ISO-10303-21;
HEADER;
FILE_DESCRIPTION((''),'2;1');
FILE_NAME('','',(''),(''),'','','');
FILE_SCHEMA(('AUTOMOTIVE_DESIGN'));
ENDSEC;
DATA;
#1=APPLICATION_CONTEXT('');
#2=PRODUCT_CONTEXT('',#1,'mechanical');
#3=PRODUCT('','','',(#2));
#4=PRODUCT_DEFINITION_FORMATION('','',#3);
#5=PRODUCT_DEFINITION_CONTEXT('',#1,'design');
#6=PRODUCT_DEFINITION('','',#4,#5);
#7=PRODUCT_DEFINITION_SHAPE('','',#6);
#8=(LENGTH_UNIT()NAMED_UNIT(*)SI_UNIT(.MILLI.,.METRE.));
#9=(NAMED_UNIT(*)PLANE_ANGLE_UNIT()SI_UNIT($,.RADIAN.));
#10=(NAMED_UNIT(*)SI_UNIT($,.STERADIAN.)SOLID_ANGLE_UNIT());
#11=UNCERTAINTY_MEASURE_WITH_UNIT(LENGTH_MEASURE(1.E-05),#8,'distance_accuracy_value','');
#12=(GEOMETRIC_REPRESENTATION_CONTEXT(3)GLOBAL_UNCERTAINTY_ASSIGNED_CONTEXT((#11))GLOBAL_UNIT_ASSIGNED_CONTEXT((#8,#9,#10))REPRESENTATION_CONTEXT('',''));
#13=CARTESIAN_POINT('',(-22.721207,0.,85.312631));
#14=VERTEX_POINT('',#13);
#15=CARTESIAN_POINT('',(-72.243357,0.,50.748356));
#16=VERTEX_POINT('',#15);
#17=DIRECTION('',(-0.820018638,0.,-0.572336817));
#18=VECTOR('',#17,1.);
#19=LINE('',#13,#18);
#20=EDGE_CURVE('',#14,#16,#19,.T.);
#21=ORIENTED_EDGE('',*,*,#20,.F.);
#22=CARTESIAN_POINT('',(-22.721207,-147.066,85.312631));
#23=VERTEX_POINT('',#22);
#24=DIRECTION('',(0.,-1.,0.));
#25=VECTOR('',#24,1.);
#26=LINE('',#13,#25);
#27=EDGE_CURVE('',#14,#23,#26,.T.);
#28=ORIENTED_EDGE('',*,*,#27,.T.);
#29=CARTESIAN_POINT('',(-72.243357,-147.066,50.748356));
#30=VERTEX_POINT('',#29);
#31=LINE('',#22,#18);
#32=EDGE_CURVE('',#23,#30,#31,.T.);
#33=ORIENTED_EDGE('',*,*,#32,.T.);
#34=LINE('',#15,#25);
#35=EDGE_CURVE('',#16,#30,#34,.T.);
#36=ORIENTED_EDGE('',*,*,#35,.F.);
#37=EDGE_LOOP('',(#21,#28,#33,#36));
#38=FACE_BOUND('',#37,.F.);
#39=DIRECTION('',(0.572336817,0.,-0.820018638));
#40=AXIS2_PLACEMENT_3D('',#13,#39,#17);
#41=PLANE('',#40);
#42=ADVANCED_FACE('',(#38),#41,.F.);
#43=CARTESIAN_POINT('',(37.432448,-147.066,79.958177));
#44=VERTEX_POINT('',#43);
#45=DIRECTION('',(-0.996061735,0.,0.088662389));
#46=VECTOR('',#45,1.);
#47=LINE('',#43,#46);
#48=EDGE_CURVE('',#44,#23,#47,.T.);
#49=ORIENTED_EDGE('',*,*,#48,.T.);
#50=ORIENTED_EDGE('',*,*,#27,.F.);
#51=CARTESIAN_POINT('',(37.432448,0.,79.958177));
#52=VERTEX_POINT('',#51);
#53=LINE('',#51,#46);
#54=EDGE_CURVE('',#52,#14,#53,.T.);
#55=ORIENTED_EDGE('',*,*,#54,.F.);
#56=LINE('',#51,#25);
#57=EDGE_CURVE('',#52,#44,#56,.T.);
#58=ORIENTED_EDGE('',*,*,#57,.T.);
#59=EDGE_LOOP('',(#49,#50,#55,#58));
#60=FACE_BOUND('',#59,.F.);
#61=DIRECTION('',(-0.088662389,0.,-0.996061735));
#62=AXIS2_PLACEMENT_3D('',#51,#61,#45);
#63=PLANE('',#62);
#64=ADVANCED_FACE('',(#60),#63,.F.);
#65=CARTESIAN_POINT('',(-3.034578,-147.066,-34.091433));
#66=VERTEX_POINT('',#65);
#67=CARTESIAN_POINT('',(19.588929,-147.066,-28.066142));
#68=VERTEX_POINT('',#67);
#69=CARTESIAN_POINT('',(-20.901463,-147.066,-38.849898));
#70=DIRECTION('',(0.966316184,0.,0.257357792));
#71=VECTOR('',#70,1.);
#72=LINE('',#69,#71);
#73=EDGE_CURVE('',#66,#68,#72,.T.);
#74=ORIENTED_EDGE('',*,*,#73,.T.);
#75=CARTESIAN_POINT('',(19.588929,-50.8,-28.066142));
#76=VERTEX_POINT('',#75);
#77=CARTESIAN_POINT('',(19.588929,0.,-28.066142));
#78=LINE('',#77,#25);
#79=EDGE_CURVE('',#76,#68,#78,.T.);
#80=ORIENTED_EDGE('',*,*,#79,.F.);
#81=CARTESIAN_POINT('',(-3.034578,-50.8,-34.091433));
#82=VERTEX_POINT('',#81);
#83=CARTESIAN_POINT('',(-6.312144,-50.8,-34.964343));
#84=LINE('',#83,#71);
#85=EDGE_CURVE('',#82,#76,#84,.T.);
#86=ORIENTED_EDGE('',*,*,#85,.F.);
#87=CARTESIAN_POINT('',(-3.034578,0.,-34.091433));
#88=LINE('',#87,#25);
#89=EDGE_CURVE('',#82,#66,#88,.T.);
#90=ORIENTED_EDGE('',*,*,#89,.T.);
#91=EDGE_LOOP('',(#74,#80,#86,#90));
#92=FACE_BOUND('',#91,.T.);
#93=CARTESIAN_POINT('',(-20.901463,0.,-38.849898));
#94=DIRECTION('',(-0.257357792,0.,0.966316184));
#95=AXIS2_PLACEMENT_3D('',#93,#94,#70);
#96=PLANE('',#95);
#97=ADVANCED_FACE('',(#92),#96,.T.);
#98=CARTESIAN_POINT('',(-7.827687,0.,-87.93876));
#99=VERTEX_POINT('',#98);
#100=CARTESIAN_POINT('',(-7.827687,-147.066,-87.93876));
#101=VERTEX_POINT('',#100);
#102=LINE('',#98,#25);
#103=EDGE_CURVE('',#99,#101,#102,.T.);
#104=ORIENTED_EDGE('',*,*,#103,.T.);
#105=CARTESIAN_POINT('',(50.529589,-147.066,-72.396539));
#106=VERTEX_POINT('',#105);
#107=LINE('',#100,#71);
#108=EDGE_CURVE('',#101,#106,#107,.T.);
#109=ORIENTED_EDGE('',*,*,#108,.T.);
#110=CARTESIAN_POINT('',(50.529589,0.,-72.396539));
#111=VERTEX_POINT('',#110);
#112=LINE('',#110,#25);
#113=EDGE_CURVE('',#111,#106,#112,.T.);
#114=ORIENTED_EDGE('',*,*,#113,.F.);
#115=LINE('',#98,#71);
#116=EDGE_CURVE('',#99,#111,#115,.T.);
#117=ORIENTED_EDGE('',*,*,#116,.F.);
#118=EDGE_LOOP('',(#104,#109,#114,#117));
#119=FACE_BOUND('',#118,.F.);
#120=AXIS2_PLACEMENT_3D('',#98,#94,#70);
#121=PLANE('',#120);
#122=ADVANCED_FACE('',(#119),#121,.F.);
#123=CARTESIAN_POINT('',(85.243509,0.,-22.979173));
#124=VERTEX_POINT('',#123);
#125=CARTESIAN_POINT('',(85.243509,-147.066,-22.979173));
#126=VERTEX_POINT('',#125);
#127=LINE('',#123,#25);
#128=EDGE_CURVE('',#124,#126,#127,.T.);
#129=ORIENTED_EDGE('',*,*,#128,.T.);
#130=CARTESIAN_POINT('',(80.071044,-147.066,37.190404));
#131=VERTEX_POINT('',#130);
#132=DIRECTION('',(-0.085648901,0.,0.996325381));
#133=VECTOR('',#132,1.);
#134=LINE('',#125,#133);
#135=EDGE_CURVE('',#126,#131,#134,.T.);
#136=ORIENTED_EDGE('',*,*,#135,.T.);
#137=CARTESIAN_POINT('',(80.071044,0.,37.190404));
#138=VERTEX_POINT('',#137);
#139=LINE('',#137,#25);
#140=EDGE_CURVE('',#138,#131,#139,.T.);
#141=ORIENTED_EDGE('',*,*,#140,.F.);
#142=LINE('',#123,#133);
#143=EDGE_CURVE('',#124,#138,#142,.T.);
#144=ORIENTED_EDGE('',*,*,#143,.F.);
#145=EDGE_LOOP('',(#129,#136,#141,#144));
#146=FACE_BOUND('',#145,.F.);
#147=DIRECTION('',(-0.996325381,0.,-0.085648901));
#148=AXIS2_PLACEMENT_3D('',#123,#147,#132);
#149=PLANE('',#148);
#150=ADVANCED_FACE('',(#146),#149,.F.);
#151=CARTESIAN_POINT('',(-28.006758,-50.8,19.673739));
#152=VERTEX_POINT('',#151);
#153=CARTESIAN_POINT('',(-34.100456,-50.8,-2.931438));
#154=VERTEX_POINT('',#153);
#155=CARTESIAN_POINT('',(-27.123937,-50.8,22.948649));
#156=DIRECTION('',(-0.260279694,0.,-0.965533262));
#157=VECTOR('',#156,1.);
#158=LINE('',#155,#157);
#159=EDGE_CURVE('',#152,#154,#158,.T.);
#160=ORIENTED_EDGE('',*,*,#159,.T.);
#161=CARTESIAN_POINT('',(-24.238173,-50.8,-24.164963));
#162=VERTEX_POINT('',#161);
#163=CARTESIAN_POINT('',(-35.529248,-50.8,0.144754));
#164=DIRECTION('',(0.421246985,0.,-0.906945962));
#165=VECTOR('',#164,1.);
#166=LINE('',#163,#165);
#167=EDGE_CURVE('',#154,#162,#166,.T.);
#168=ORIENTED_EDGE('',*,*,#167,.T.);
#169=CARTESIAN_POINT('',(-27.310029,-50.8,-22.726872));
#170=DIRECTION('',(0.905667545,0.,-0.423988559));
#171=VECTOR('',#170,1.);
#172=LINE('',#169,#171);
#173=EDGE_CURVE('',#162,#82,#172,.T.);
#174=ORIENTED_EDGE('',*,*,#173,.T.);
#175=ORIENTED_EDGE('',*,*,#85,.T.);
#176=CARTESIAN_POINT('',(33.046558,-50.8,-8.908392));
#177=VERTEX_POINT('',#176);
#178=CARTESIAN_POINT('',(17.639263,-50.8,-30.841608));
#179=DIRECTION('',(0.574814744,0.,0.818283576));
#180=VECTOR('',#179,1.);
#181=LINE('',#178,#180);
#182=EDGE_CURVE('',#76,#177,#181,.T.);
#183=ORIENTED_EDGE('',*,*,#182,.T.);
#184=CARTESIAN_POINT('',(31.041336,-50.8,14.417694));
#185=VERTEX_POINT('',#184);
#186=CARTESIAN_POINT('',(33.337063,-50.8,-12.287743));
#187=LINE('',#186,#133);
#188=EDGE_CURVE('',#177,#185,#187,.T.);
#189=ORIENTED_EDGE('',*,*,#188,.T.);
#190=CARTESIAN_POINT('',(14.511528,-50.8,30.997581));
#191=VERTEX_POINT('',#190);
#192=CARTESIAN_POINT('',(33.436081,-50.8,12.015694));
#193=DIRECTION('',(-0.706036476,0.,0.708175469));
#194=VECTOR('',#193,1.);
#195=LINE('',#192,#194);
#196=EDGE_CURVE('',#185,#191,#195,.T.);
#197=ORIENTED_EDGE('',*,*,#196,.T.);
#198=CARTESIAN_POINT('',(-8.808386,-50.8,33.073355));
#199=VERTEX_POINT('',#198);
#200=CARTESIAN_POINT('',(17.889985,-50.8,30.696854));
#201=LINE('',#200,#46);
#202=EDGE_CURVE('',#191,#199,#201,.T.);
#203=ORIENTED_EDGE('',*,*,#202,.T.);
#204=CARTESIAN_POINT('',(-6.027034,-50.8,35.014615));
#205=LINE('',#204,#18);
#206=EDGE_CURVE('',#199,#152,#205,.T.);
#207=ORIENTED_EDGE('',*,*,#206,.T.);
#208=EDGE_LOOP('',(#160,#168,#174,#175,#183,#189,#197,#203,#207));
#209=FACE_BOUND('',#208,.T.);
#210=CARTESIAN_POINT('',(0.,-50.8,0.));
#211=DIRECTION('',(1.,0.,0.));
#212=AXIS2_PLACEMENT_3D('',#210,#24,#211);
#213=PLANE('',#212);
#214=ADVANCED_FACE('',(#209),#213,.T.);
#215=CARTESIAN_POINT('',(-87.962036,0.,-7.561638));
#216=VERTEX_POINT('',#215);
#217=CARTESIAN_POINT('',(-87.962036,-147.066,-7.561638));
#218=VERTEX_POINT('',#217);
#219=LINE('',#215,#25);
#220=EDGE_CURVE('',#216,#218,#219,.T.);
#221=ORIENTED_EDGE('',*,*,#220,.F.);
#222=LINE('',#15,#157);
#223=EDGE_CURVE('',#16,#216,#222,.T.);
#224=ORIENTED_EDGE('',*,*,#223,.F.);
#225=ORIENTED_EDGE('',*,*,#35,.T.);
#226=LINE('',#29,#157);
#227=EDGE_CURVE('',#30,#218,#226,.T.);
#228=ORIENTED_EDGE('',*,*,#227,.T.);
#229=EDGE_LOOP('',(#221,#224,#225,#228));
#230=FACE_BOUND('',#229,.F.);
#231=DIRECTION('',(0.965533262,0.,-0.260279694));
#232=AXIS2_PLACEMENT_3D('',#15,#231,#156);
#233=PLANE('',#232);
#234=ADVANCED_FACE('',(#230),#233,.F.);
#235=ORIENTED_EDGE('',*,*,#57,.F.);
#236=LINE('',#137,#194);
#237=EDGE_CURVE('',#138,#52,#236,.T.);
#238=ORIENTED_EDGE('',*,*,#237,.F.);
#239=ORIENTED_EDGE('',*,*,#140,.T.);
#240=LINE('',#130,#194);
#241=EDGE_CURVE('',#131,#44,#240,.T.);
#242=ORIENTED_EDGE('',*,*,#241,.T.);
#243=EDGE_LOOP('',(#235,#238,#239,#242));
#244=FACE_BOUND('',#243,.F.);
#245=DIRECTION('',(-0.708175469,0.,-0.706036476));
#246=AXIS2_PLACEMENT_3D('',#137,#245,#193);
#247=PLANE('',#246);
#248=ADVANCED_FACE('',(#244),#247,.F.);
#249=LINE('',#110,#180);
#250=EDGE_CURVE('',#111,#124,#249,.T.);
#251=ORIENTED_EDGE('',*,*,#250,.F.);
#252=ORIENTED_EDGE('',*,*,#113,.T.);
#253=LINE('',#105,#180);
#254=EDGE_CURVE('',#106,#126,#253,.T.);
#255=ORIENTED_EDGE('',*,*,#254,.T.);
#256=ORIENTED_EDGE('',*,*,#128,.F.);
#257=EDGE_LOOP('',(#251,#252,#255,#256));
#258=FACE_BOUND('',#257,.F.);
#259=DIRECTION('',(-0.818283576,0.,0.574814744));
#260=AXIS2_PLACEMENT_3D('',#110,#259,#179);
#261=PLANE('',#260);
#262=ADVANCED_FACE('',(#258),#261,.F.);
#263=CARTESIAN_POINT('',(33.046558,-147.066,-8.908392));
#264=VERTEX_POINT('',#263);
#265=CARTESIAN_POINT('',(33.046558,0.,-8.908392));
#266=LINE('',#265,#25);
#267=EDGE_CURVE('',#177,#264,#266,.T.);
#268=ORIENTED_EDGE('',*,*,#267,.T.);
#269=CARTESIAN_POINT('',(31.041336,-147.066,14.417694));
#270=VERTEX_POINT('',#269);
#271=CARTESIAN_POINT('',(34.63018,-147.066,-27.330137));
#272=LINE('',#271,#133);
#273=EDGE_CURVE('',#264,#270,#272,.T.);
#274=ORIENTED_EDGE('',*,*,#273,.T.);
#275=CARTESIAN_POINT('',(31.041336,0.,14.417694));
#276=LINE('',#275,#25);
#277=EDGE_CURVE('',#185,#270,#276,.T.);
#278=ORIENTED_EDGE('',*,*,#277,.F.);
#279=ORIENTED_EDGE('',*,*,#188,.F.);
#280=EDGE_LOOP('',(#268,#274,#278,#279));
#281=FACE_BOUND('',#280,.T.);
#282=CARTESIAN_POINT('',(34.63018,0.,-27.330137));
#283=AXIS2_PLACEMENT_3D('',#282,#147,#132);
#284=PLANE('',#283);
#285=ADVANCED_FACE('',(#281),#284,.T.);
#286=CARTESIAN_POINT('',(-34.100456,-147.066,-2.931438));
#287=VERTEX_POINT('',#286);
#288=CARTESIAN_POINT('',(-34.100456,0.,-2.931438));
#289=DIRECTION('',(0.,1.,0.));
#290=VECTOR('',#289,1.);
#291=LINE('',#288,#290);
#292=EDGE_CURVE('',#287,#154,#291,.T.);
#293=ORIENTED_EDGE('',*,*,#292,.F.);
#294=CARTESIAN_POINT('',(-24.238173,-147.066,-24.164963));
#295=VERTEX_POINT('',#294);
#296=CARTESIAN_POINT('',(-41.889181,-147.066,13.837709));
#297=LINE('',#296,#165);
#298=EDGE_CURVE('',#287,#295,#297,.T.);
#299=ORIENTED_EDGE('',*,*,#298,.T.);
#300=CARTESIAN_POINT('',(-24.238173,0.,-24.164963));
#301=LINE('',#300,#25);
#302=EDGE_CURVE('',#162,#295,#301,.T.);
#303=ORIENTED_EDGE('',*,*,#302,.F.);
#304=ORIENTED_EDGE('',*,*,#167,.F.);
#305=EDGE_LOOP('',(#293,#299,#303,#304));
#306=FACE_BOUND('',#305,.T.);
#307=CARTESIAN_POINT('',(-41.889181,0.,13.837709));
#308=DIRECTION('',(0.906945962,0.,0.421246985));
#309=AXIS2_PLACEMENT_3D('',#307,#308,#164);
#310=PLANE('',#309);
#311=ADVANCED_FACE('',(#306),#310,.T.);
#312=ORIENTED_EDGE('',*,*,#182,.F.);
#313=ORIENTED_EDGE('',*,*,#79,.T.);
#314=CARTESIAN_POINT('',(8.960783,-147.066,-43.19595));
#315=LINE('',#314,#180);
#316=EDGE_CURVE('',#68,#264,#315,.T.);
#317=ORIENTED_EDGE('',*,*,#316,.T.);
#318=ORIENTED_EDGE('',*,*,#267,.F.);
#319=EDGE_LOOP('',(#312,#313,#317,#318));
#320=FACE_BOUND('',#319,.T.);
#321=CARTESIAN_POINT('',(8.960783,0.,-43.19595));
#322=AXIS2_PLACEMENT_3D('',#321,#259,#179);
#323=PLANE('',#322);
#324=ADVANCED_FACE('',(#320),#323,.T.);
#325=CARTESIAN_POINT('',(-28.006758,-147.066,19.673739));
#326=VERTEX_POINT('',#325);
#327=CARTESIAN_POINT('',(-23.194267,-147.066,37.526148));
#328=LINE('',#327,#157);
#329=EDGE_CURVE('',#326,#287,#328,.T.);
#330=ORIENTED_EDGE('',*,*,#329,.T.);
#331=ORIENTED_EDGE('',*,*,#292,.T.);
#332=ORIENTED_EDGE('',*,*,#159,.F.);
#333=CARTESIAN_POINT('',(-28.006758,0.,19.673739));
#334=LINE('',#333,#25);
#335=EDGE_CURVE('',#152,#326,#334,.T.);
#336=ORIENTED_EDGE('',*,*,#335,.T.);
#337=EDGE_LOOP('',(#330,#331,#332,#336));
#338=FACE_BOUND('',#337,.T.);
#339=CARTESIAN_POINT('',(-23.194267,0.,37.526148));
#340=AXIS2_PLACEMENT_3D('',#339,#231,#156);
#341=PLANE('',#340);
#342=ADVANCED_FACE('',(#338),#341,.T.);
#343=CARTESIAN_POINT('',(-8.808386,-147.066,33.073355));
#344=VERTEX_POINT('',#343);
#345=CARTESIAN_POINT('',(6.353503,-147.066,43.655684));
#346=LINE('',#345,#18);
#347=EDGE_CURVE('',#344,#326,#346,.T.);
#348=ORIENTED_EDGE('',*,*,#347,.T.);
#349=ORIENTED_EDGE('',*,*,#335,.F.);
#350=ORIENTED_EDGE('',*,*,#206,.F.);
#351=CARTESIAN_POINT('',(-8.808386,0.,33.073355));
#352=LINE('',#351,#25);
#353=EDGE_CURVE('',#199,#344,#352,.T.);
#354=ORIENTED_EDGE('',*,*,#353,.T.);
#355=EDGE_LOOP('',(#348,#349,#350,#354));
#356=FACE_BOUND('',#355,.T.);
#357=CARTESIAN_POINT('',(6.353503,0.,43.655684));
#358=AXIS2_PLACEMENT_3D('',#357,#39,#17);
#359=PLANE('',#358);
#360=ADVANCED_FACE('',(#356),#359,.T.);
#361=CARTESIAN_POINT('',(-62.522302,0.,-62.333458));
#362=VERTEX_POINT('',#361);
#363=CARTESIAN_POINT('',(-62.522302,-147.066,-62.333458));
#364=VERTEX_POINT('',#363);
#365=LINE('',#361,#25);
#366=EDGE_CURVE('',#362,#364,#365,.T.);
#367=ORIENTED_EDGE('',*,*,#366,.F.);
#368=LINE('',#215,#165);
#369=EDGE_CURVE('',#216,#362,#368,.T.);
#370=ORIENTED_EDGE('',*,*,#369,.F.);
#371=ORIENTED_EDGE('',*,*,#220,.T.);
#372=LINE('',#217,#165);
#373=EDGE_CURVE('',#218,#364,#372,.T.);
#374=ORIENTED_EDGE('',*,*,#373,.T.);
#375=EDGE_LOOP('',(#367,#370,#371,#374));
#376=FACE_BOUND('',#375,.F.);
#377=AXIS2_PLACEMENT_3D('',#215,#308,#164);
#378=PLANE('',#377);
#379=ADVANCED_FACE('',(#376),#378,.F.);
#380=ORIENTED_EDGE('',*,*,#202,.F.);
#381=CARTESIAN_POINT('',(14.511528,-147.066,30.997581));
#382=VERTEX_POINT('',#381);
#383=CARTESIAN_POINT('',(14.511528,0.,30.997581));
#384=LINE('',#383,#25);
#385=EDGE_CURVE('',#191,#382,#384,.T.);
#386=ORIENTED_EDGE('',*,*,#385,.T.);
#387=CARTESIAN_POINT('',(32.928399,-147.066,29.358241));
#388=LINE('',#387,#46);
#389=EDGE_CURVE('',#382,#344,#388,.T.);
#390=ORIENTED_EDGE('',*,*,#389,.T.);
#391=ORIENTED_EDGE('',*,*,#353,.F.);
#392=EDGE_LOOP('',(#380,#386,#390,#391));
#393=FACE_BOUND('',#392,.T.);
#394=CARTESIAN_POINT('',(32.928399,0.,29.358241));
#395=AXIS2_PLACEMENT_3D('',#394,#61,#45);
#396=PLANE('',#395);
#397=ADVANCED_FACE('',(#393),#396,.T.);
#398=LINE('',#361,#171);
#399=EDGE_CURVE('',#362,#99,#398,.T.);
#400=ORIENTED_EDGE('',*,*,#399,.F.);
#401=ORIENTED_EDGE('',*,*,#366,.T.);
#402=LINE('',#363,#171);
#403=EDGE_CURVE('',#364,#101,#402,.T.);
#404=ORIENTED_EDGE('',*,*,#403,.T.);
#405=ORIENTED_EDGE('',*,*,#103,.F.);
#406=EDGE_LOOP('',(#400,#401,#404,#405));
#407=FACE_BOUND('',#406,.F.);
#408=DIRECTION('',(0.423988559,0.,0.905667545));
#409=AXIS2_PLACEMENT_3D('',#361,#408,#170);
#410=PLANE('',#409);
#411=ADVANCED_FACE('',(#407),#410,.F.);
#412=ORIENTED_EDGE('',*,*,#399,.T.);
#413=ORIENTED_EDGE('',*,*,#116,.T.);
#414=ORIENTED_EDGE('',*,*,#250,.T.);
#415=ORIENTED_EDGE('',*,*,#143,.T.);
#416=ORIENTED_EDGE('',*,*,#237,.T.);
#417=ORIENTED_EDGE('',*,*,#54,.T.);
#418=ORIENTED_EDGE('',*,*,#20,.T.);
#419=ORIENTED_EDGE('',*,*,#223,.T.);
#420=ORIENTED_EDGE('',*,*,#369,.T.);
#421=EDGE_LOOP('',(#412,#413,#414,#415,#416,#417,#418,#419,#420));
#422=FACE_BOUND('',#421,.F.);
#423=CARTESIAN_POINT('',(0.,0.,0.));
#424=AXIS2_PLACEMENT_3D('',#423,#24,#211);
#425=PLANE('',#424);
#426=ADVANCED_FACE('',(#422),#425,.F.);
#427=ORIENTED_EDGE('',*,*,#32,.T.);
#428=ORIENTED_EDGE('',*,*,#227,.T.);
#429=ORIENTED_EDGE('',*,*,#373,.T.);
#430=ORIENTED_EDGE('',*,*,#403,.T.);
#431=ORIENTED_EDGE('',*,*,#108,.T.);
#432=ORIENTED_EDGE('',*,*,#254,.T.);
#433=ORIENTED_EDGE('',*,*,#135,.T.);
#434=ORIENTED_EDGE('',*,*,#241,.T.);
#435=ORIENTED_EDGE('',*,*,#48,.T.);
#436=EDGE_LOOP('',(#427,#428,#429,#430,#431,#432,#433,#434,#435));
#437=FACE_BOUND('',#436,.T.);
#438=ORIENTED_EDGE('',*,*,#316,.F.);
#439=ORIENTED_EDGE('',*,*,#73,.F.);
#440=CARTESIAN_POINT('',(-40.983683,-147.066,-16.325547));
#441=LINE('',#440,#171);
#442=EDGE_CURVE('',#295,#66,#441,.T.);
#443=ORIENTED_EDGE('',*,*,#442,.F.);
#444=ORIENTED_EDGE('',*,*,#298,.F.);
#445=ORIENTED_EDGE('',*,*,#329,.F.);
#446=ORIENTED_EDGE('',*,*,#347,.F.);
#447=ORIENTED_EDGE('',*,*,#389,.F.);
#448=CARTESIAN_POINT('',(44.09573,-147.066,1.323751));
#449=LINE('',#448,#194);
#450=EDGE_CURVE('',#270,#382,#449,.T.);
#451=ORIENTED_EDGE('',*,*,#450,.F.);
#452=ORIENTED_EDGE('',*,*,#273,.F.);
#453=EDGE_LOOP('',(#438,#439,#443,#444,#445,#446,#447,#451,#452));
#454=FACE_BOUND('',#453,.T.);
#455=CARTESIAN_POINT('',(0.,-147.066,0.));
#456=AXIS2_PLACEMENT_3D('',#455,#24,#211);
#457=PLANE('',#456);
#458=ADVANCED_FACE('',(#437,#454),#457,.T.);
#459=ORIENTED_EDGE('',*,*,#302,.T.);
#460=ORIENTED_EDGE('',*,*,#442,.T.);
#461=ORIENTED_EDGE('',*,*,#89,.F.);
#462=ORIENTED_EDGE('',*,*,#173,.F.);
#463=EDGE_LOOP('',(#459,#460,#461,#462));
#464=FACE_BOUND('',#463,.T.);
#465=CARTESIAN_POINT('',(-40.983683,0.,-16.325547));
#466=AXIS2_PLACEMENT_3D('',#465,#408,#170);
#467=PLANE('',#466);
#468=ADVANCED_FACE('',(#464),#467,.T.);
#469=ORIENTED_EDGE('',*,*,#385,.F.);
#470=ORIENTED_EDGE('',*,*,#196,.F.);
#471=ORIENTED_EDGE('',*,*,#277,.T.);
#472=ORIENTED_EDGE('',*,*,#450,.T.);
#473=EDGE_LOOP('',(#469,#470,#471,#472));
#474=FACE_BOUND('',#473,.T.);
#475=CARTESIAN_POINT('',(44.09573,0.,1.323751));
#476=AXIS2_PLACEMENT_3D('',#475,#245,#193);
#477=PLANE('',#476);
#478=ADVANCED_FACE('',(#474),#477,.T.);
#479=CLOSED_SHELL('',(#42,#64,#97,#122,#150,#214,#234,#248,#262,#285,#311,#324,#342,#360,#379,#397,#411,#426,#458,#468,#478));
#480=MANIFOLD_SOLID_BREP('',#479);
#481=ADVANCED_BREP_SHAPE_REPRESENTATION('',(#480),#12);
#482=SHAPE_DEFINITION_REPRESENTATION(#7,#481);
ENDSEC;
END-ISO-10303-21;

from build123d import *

# Parameters (mm, degrees)
F1_DEPTH = 147.066
F2_T     = -50.8


with BuildPart() as f1:
    # F0 (on Front) → F1 (new body)
    with BuildSketch(Plane.XZ):
        Polygon((-87.962036, -7.561638), (-62.522302, -62.333458), (-7.827687, -87.93876), (50.529589, -72.396539), (85.243509, -22.979173), (80.071044, 37.190404), (37.432448, 79.958177), (-22.721207, 85.312631), (-72.243357, 50.748356), align=None)
    extrude(amount=F1_DEPTH)

    # F2
    f2_openings = [f1.faces().sort_by_distance(p)[0] for p in [
        (0, -147.066, 0),
    ]]
    offset(amount=F2_T, openings=f2_openings)


solid = f1.part
